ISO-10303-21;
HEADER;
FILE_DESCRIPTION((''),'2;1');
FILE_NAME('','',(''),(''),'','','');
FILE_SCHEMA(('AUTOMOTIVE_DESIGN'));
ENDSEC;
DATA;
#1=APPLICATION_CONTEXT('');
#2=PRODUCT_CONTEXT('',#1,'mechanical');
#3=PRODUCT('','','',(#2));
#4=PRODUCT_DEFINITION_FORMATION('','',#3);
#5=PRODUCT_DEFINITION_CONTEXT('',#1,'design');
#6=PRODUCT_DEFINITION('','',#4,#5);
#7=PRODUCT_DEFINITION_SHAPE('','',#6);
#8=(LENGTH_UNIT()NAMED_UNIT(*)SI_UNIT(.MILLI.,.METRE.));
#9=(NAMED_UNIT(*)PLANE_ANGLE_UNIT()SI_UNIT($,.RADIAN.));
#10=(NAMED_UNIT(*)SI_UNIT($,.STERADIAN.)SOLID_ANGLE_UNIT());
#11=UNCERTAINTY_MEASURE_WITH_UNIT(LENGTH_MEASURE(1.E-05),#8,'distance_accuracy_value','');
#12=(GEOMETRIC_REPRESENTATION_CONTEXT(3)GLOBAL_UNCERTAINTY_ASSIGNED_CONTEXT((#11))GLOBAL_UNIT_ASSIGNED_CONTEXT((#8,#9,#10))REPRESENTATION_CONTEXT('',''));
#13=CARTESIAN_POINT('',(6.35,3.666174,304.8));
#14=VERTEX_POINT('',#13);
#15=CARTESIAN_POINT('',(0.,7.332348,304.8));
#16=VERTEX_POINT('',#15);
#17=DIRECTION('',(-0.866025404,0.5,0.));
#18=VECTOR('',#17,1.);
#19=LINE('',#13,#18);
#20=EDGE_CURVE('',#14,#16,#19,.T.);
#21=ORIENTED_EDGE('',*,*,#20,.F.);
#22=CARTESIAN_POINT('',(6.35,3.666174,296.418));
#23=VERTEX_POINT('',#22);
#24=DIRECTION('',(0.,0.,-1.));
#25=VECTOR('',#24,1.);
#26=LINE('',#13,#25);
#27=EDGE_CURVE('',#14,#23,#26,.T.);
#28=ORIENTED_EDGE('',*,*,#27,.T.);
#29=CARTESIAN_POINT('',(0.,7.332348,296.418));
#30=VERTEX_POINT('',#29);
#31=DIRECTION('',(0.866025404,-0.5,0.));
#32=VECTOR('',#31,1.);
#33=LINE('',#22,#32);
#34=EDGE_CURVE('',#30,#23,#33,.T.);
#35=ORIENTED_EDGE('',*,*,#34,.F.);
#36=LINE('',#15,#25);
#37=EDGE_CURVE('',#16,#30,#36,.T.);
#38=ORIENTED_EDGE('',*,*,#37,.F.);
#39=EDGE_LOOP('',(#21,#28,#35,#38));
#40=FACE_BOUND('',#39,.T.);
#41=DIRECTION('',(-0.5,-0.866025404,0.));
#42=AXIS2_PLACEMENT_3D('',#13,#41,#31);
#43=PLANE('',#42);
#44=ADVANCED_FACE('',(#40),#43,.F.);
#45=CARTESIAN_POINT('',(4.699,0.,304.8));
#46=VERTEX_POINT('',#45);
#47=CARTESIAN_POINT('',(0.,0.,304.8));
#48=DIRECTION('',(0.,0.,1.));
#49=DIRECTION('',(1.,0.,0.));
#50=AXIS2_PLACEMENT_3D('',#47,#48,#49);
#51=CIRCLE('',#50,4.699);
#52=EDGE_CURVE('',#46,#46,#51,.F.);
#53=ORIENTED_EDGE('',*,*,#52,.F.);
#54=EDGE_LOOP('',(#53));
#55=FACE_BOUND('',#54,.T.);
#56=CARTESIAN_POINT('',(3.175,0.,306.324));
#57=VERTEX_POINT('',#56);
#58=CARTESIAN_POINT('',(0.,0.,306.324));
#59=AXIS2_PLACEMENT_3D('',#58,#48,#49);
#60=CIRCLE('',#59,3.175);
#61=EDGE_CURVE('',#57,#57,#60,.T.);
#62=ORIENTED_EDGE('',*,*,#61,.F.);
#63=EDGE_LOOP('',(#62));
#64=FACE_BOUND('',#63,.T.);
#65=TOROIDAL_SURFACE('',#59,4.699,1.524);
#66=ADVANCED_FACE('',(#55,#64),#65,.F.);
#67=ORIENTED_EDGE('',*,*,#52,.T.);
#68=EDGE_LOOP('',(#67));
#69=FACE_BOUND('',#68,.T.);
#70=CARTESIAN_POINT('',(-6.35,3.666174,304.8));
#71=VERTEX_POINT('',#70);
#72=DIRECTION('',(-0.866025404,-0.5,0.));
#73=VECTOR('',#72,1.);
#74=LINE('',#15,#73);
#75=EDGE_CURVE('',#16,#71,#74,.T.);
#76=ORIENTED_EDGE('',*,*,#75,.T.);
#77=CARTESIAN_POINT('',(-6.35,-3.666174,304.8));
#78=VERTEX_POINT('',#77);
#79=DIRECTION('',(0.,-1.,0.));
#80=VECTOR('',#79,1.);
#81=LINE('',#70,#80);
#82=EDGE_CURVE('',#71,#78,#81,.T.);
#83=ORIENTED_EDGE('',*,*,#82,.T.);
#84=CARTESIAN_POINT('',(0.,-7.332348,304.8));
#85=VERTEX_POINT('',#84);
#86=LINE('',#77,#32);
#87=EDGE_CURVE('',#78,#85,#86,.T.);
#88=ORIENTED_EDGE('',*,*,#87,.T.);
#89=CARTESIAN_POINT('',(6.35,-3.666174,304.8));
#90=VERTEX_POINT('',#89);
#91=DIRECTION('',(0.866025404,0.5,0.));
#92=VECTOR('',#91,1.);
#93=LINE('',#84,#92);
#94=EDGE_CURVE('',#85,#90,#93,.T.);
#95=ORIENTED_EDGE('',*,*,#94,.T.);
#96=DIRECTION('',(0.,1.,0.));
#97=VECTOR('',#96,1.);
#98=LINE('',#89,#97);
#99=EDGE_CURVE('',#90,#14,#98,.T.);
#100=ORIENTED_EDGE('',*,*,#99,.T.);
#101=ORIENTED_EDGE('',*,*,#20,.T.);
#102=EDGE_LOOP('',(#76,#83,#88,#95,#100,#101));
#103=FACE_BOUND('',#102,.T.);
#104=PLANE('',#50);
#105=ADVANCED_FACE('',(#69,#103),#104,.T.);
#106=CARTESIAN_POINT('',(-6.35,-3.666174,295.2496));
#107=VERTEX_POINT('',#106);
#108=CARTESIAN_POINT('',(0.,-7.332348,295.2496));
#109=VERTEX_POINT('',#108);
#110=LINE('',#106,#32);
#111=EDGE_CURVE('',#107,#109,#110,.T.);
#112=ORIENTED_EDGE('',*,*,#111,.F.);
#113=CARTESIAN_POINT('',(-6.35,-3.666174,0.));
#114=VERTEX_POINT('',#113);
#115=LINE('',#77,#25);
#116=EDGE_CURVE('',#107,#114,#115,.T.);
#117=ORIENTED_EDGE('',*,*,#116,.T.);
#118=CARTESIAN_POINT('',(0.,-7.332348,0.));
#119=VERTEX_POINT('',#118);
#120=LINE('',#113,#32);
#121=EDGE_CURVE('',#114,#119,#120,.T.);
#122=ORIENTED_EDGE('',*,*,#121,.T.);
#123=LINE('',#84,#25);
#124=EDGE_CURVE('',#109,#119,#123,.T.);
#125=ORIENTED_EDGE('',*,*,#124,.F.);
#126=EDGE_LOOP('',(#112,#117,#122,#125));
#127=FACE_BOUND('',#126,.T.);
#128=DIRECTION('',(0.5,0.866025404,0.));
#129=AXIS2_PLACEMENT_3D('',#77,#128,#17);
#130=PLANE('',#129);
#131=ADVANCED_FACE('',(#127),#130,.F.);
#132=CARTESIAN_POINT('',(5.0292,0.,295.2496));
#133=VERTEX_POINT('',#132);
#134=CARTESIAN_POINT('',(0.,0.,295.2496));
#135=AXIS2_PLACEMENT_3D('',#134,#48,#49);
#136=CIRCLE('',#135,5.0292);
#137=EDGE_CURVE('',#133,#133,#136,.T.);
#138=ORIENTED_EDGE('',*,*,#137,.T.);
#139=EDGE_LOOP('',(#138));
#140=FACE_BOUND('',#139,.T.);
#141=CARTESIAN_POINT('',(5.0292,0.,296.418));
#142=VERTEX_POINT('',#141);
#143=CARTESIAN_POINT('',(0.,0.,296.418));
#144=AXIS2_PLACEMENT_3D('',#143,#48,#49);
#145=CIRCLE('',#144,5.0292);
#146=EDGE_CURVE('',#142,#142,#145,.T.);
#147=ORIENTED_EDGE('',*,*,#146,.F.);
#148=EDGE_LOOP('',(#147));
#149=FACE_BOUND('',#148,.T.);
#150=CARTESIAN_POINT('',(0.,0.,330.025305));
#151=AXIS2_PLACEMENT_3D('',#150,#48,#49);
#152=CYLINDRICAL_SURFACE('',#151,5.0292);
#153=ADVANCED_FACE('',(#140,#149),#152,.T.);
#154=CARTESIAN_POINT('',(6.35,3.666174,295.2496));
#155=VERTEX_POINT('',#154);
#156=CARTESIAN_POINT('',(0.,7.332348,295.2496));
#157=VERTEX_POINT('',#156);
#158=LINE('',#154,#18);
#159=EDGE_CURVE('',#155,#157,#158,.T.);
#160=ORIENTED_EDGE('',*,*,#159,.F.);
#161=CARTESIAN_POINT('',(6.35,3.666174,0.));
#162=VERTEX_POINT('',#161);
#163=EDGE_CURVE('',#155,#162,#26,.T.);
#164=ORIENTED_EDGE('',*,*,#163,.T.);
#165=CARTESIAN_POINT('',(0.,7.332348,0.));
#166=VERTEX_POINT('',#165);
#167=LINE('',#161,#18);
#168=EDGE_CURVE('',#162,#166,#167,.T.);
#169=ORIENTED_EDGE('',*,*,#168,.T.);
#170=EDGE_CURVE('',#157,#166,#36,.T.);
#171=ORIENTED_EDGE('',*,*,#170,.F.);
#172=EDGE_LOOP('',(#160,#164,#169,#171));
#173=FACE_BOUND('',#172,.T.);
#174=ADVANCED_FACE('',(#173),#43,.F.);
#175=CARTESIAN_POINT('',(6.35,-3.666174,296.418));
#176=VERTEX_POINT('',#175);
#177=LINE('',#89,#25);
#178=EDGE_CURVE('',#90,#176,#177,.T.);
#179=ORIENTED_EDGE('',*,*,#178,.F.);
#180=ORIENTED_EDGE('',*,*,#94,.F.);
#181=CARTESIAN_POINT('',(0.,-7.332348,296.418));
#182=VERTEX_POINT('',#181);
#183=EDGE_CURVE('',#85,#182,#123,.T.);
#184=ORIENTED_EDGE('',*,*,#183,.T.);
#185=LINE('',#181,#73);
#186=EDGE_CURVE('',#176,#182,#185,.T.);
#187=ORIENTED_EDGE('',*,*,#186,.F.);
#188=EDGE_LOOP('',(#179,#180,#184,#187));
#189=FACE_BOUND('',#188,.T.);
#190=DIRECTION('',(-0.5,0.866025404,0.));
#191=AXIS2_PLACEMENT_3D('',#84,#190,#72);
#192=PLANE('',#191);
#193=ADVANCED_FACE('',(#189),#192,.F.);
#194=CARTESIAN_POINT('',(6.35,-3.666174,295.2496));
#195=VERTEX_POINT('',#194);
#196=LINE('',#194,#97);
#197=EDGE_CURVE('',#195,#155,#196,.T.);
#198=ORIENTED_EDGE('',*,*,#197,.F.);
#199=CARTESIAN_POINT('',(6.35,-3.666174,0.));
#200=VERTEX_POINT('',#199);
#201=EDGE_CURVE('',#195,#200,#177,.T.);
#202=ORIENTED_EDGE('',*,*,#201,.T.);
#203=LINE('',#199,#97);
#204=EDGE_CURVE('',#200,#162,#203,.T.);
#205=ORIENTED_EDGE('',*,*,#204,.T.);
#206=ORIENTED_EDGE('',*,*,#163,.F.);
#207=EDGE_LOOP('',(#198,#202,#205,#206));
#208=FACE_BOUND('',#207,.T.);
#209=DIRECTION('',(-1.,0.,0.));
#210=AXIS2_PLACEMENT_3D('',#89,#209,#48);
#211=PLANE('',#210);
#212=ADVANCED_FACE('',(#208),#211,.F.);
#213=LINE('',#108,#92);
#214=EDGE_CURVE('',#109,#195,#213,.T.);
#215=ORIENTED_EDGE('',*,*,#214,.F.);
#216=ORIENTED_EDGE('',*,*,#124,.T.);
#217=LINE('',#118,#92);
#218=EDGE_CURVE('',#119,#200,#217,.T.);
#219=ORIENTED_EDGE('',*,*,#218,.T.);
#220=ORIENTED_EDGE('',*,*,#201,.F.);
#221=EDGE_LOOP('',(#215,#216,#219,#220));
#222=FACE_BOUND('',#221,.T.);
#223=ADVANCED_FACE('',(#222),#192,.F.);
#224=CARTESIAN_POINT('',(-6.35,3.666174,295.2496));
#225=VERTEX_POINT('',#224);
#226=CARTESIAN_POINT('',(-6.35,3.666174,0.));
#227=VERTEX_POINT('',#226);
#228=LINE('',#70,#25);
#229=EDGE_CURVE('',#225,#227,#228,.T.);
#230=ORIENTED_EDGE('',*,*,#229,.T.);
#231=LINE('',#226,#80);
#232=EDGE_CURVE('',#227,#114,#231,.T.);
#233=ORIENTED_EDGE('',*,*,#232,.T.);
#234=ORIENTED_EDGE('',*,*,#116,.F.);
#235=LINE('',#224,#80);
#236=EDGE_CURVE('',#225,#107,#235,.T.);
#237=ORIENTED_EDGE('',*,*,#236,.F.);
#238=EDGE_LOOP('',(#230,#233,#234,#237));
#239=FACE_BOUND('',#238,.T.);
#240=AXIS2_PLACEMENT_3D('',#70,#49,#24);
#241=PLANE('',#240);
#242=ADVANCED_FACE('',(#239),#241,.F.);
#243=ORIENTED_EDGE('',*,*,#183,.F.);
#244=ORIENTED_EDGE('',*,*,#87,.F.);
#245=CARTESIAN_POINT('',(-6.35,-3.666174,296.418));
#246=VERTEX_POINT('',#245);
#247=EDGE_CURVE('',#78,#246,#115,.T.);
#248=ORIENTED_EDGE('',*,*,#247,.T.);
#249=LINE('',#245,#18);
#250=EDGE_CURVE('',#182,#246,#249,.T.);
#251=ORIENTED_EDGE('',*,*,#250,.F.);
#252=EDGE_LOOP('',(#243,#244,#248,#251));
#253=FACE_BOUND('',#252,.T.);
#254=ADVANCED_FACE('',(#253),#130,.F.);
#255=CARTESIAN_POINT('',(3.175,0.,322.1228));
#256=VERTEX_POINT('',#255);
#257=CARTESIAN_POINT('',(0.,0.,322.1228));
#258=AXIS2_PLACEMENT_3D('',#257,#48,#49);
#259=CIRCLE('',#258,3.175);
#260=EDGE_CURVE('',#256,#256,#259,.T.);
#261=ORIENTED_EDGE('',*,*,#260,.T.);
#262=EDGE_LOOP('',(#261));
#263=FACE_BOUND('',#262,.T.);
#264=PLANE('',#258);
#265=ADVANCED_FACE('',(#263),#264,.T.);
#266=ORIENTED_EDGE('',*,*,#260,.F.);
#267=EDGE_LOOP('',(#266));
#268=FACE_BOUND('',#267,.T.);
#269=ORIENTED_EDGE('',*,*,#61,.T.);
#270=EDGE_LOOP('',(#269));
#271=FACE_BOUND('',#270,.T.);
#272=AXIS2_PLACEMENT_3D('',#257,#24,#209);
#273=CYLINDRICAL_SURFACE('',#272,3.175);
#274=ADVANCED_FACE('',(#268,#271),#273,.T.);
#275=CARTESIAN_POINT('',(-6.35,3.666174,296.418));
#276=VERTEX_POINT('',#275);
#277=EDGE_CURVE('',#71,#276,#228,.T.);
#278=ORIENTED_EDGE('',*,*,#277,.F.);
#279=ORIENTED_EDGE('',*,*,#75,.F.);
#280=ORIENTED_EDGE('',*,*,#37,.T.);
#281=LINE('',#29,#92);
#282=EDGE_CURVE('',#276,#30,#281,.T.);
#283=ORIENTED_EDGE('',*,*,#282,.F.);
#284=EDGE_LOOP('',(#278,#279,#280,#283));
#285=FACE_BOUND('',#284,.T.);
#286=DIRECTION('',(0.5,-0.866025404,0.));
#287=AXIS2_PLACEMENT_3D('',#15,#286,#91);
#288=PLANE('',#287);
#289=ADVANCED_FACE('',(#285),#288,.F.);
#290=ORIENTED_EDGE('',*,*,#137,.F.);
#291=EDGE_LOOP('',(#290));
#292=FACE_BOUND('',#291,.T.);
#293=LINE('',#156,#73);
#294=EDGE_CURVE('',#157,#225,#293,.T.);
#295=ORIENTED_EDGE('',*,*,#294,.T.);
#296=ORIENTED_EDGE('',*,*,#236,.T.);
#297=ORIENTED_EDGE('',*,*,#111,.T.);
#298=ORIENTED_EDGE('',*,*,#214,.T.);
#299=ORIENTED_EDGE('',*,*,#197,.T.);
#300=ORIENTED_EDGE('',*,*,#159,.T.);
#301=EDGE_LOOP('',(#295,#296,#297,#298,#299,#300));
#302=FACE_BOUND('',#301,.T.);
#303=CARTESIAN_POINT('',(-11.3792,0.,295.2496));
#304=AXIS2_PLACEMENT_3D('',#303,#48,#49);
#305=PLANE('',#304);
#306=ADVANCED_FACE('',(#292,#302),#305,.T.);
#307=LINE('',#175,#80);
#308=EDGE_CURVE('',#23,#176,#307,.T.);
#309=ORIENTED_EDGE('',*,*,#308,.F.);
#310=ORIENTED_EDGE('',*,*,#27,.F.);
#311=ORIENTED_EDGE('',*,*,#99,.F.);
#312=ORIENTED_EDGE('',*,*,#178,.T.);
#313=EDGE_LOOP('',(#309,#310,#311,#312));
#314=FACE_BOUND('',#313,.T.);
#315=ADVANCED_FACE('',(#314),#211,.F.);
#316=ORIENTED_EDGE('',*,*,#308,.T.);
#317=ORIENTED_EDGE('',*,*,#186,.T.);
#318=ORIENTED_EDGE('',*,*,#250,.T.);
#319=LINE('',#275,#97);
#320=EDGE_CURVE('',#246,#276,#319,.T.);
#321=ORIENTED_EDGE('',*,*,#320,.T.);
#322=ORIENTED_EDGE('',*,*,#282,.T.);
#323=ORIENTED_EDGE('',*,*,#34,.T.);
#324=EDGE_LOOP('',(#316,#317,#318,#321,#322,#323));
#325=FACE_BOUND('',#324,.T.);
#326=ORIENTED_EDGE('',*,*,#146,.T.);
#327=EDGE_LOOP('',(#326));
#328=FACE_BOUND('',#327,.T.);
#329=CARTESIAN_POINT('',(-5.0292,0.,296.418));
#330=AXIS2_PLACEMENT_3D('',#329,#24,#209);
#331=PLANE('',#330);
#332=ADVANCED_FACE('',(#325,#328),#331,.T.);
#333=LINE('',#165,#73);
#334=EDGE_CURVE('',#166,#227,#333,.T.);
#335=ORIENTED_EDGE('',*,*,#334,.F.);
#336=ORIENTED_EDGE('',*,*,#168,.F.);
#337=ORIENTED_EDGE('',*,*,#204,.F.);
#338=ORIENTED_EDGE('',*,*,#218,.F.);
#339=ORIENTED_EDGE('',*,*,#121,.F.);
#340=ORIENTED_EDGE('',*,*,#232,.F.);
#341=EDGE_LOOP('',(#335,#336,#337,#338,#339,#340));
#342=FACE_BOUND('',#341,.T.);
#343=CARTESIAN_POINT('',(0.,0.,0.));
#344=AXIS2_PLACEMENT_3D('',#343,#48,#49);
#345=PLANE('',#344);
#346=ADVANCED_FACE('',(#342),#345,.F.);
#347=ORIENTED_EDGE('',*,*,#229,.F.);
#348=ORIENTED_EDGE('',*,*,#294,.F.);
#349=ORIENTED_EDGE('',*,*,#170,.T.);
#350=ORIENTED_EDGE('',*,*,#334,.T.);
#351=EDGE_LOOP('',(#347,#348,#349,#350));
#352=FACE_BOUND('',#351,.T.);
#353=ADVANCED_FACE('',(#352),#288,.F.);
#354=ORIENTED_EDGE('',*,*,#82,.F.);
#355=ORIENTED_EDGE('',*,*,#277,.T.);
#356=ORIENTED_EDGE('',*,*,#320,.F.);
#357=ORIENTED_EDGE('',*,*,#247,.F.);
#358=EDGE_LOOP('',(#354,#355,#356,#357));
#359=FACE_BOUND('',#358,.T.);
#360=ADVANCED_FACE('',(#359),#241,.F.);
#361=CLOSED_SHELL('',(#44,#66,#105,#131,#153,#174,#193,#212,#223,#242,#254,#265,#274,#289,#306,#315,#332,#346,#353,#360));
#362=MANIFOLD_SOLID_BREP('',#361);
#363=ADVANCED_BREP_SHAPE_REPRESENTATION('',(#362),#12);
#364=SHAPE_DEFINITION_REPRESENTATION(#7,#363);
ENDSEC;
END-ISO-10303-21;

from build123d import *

# Parameters (mm, degrees)
BOSS_EXTRUDE1_DEPTH = 304.8
SKETCH2_R           = 3.175
BOSS_EXTRUDE2_DEPTH = 17.3228
FILLET1_R           = 1.524
SKETCH3_W           = 6.35
SKETCH3_H           = 1.1684


with BuildPart() as part:
    # Sketch1 → Boss-Extrude1 (new body)
    with BuildSketch(Plane.XY):
        Polygon((-6.35, 3.666174209), (-6.35, -3.666174209), (0, -7.332348419), (6.35, -3.666174209), (6.35, 3.666174209), (0, 7.332348419), align=None)
    extrude(amount=BOSS_EXTRUDE1_DEPTH)

    # Sketch2 → Boss-Extrude2 (add)
    with BuildSketch(Plane.XY.offset(304.8)):
        Circle(SKETCH2_R)
    extrude(amount=BOSS_EXTRUDE2_DEPTH)

    # Fillet1
    fillet1_edges = [part.edges().sort_by_distance(p)[0] for p in [
        (-3.175, 0, 304.8),
    ]]
    fillet(fillet1_edges, radius=FILLET1_R)

    # Sketch3 → Cut-Revolve1 (revolve, cut)
    with BuildSketch(Plane(origin=(0, 0, 0), x_dir=(1, 0, 0), z_dir=(0, 1, 0))):
        with Locations((-8.2042, -295.8338)):
            Rectangle(SKETCH3_W, SKETCH3_H)
    revolve(axis=Axis((0, 0, 330.02530499), (0, 0, -1)), mode=Mode.SUBTRACT)


solid = part.part
